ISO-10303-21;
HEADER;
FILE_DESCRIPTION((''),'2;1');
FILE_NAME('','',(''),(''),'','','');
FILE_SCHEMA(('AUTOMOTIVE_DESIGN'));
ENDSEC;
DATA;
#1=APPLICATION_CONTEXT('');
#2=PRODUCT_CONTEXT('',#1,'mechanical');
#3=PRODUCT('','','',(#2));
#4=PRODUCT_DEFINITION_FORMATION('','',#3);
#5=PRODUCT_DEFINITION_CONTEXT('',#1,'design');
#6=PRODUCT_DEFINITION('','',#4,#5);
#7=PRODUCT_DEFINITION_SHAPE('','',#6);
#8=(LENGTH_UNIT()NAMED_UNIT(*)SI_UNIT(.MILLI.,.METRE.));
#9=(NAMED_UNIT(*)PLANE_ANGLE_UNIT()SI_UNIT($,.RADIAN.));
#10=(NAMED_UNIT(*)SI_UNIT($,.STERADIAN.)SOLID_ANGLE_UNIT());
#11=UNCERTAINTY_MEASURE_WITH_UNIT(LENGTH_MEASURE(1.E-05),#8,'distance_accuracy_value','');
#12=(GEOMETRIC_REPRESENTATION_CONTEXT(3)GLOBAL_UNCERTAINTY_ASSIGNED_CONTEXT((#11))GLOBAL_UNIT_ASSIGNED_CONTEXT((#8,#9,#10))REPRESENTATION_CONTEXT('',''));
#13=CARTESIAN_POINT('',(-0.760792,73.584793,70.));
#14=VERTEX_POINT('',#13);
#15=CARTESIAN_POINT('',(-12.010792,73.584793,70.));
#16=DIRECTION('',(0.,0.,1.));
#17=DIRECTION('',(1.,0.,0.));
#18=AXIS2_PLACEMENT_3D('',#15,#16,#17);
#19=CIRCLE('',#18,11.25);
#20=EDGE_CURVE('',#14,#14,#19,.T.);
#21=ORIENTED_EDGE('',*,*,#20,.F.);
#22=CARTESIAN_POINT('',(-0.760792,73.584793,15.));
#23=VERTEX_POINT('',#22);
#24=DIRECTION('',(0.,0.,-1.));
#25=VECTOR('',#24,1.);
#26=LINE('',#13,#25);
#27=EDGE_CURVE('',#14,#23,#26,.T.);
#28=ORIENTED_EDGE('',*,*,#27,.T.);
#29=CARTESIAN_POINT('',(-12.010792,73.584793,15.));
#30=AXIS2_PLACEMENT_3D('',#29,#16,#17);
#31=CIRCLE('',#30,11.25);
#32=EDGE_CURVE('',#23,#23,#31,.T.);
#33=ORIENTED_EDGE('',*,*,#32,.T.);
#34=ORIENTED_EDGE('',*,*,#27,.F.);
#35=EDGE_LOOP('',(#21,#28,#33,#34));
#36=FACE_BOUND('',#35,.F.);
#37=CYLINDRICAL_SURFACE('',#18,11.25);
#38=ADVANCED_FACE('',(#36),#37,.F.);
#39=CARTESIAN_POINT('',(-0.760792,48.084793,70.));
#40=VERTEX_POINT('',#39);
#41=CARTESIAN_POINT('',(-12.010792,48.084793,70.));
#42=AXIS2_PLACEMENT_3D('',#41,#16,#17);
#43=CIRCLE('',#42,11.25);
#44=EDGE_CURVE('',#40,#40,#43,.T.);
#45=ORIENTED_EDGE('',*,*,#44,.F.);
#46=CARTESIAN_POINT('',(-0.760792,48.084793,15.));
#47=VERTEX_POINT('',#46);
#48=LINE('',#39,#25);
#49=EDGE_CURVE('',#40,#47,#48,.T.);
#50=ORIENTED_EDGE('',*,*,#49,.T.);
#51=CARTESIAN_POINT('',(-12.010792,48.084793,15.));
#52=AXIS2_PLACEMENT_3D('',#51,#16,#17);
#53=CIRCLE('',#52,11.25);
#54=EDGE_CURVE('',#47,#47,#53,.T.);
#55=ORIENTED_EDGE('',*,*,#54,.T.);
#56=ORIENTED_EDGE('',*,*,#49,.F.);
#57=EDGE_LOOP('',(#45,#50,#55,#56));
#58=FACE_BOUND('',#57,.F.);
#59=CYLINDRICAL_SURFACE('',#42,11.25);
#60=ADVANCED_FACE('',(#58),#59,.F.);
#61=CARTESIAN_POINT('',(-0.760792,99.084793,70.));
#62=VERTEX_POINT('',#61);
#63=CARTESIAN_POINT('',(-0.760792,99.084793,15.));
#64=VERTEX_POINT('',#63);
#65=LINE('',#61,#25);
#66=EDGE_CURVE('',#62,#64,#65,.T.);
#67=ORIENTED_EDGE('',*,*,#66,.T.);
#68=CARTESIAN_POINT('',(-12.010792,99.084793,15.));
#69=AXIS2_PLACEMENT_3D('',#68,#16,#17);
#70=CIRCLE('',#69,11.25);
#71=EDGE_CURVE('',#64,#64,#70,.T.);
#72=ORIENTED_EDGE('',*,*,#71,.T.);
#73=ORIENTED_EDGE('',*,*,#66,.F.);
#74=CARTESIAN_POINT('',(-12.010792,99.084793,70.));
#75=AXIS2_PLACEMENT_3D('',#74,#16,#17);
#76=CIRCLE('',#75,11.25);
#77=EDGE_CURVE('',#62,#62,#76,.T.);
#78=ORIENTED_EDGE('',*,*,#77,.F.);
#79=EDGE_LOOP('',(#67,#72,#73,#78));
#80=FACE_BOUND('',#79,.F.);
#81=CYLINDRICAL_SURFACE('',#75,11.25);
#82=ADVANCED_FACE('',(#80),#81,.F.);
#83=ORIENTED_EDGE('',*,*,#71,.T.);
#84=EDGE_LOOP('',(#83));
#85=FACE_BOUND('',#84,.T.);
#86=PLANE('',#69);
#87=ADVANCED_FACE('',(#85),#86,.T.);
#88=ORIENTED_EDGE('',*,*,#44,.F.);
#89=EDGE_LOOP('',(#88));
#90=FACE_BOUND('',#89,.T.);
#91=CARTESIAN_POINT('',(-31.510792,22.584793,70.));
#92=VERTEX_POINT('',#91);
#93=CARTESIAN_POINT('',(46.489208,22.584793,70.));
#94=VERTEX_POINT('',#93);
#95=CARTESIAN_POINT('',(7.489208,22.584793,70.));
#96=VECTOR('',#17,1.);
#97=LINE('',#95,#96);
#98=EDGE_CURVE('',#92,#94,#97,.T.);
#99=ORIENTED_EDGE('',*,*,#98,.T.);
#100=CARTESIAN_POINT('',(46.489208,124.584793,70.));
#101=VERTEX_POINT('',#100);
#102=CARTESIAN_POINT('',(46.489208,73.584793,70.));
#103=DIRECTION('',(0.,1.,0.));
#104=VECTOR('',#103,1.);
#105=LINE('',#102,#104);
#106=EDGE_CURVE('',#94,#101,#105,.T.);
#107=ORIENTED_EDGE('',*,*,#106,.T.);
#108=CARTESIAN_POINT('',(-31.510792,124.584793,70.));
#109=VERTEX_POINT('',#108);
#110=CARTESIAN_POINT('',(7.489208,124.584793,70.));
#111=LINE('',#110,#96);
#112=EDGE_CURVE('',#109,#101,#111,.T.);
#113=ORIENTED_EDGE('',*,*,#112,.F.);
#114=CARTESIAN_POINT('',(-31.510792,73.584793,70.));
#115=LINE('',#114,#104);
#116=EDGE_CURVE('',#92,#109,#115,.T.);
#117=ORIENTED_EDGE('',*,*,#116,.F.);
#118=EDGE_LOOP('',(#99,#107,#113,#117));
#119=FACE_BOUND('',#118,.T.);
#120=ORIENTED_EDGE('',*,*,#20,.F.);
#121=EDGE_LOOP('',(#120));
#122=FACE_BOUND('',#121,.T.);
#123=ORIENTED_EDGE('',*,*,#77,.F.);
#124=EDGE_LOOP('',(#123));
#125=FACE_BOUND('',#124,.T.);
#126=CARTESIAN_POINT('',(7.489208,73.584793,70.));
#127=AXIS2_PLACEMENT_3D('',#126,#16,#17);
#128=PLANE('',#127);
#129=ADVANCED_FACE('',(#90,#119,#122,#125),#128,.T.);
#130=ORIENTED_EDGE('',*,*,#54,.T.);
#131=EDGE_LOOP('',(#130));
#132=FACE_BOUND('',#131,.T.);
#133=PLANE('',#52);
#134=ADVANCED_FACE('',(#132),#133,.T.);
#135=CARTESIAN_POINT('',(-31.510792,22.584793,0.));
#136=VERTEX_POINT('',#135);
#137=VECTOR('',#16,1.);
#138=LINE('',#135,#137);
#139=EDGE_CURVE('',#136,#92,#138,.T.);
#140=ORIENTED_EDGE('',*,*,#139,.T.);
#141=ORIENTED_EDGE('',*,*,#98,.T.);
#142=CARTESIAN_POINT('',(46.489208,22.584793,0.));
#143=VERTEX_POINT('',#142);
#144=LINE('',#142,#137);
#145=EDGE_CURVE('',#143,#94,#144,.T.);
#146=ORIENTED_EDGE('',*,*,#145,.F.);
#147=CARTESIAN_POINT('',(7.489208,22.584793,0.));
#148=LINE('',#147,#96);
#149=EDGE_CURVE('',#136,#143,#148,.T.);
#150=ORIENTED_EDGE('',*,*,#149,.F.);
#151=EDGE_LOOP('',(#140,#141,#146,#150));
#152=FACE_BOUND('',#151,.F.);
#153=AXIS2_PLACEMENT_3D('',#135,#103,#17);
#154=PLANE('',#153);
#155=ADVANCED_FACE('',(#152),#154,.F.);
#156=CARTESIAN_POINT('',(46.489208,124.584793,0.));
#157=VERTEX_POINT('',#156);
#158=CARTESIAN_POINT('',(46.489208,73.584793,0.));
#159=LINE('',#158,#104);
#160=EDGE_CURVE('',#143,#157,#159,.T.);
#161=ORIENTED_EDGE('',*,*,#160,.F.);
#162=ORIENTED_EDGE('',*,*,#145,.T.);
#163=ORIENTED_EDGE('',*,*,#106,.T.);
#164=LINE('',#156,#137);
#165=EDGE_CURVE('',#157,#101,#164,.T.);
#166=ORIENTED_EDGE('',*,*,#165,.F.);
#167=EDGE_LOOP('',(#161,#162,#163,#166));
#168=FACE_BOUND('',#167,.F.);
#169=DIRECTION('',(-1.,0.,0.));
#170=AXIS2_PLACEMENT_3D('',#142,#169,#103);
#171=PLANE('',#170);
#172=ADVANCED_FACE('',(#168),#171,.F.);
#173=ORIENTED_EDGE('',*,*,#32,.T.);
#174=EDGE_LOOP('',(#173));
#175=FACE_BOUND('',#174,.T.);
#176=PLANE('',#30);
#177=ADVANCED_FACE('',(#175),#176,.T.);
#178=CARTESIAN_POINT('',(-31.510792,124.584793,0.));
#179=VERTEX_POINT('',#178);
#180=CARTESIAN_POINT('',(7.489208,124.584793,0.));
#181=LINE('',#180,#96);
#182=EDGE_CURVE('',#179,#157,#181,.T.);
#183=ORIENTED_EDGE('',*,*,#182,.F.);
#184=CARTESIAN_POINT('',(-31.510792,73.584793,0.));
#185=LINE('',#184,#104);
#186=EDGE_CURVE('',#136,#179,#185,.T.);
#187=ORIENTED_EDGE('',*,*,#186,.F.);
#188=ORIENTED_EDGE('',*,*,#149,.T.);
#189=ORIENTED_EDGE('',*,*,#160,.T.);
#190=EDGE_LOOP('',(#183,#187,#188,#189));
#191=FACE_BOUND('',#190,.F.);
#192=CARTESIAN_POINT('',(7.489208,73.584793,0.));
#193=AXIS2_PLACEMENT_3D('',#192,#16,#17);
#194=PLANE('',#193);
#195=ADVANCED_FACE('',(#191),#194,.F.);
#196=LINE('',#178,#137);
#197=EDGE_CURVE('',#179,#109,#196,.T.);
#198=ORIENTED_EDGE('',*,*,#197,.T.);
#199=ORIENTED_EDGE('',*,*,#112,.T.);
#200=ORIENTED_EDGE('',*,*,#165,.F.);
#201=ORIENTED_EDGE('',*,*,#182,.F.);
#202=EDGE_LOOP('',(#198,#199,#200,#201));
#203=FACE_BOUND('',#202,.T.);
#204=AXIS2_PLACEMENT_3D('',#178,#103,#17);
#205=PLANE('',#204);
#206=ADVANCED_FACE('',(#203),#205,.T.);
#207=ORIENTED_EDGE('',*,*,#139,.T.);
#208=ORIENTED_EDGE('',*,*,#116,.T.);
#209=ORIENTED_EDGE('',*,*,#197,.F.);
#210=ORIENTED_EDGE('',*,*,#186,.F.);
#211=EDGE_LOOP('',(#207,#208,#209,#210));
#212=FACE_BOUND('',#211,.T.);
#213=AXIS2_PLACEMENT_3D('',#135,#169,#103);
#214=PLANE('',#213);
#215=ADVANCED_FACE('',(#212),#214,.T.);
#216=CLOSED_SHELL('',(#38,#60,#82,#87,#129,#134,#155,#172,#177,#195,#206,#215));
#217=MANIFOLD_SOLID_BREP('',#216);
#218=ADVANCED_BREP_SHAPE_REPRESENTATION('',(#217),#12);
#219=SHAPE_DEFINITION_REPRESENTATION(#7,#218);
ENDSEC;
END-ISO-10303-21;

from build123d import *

# Parameters (mm, degrees)
F0_W     = 78
F0_H     = 102
F1_DEPTH = 70
F2_R     = 11.25
F3_DEPTH = 55


with BuildPart() as f1:
    # F0 (on Top) → F1 (new body)
    with BuildSketch(Plane.XY):
        with Locations((7.489208, 73.584793)):
            Rectangle(F0_W, F0_H)
    extrude(amount=F1_DEPTH)

    # F2 (on face) → F3 (cut)
    with BuildSketch(Plane.XY.offset(70)):
        with Locations((-12.010792, 99.084793)):
            Circle(F2_R)
        with Locations((-12.010792, 73.584793)):
            Circle(F2_R)
        with Locations((-12.010792, 48.084793)):
            Circle(F2_R)
    extrude(amount=-F3_DEPTH, mode=Mode.SUBTRACT)


solid = f1.part
